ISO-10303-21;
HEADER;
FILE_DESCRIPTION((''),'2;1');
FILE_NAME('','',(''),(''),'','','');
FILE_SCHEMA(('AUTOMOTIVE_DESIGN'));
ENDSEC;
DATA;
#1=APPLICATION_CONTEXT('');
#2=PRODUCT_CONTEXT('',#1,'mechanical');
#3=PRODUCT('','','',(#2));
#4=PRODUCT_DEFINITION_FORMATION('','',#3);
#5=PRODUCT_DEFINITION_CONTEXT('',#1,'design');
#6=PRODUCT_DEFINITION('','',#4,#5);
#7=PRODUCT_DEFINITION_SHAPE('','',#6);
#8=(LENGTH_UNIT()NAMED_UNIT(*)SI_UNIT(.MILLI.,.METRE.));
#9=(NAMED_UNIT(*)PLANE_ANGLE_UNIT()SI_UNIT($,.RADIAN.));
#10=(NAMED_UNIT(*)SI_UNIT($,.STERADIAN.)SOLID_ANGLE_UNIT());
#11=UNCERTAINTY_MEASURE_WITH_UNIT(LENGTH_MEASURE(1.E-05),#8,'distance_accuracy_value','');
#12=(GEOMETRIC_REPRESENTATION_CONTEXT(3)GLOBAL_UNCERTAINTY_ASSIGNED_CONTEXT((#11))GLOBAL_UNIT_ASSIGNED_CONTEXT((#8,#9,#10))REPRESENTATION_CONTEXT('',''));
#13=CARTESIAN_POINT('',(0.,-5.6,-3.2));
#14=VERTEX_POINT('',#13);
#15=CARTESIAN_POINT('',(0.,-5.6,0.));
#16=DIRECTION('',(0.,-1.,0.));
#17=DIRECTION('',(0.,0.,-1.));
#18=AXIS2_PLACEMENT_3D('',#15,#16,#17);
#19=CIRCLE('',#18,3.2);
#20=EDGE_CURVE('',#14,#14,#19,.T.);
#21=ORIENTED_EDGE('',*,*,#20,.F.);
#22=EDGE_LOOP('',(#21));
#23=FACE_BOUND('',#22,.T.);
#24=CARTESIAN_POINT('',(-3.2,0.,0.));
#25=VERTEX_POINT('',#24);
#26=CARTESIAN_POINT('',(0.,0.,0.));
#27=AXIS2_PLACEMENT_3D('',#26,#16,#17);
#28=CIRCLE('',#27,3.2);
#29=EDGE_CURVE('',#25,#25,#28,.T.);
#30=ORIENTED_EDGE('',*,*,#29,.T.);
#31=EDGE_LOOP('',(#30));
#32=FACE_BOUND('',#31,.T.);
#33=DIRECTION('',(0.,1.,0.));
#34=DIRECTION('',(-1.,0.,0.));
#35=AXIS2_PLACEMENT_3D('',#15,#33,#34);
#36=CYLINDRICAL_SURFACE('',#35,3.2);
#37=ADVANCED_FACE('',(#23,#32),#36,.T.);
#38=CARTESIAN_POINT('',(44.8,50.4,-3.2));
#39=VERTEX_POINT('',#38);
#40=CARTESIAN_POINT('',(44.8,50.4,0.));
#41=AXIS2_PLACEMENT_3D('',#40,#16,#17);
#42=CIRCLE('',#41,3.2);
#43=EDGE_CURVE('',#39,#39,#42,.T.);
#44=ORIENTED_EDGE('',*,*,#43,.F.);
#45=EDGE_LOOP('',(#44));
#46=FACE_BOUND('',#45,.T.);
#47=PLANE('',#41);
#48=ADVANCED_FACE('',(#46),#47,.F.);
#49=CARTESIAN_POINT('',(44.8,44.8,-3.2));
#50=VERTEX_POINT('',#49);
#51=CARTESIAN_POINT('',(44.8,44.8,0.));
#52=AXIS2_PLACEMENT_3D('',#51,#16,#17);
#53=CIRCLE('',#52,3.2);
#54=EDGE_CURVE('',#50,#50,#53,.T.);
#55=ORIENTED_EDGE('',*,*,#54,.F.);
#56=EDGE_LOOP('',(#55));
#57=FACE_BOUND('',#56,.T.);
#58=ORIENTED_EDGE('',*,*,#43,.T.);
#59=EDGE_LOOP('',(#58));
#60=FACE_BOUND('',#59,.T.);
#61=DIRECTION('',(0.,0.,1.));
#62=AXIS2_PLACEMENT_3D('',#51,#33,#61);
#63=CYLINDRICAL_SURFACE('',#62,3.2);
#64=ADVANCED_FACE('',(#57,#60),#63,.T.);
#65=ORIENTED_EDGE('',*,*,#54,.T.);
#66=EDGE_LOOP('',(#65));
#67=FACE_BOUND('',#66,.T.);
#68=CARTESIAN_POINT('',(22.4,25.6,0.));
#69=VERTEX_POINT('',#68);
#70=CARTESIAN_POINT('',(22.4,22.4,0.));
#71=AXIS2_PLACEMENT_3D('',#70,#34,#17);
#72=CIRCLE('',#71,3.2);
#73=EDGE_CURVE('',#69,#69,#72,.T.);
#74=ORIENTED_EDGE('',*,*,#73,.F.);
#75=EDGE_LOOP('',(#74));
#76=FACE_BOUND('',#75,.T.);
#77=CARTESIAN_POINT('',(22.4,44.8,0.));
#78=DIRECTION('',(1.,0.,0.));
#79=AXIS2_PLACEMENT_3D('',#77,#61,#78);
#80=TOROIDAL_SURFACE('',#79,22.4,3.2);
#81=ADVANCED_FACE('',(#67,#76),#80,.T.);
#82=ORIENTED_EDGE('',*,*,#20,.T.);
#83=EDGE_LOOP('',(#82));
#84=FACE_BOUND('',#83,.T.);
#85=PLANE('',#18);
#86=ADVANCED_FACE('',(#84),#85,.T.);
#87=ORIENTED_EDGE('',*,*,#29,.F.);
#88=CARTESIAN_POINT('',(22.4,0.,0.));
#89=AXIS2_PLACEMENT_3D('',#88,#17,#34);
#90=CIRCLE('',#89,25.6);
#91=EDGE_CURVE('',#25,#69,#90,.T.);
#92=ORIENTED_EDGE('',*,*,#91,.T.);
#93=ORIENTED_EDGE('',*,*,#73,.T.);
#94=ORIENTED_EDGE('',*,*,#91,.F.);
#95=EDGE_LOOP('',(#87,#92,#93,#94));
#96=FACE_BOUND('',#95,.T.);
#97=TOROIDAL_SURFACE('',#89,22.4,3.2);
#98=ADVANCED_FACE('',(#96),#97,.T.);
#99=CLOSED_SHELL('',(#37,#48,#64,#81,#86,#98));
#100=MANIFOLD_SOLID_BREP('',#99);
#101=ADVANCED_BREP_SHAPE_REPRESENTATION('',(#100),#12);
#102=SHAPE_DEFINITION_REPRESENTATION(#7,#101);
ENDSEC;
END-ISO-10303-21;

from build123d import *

# Parameters (mm, degrees)
BALAYAGE1_PROFILE_R = 3.2


with BuildPart() as part:
    # Balayage1: sweep along a path in Esquisse1
    with BuildLine(Plane.XY) as balayage1_path:
        Line((0, -5.6), (0, 0))
        ThreePointArc((0, 0), (6.560808101, 15.839191899), (22.4, 22.4))
        ThreePointArc((22.4, 22.4), (38.239191899, 28.960808101), (44.8, 44.8))
        Line((44.8, 44.8), (44.8, 50.4))
    # Balayage1 profile (on start of the path) → Balayage1 (sweep)
    with BuildSketch(Plane(origin=(0, -5.6, 0), x_dir=(1, 0, 0), z_dir=(0, 1, 0))):
        Circle(BALAYAGE1_PROFILE_R)
    sweep(path=balayage1_path.line)


solid = part.part
